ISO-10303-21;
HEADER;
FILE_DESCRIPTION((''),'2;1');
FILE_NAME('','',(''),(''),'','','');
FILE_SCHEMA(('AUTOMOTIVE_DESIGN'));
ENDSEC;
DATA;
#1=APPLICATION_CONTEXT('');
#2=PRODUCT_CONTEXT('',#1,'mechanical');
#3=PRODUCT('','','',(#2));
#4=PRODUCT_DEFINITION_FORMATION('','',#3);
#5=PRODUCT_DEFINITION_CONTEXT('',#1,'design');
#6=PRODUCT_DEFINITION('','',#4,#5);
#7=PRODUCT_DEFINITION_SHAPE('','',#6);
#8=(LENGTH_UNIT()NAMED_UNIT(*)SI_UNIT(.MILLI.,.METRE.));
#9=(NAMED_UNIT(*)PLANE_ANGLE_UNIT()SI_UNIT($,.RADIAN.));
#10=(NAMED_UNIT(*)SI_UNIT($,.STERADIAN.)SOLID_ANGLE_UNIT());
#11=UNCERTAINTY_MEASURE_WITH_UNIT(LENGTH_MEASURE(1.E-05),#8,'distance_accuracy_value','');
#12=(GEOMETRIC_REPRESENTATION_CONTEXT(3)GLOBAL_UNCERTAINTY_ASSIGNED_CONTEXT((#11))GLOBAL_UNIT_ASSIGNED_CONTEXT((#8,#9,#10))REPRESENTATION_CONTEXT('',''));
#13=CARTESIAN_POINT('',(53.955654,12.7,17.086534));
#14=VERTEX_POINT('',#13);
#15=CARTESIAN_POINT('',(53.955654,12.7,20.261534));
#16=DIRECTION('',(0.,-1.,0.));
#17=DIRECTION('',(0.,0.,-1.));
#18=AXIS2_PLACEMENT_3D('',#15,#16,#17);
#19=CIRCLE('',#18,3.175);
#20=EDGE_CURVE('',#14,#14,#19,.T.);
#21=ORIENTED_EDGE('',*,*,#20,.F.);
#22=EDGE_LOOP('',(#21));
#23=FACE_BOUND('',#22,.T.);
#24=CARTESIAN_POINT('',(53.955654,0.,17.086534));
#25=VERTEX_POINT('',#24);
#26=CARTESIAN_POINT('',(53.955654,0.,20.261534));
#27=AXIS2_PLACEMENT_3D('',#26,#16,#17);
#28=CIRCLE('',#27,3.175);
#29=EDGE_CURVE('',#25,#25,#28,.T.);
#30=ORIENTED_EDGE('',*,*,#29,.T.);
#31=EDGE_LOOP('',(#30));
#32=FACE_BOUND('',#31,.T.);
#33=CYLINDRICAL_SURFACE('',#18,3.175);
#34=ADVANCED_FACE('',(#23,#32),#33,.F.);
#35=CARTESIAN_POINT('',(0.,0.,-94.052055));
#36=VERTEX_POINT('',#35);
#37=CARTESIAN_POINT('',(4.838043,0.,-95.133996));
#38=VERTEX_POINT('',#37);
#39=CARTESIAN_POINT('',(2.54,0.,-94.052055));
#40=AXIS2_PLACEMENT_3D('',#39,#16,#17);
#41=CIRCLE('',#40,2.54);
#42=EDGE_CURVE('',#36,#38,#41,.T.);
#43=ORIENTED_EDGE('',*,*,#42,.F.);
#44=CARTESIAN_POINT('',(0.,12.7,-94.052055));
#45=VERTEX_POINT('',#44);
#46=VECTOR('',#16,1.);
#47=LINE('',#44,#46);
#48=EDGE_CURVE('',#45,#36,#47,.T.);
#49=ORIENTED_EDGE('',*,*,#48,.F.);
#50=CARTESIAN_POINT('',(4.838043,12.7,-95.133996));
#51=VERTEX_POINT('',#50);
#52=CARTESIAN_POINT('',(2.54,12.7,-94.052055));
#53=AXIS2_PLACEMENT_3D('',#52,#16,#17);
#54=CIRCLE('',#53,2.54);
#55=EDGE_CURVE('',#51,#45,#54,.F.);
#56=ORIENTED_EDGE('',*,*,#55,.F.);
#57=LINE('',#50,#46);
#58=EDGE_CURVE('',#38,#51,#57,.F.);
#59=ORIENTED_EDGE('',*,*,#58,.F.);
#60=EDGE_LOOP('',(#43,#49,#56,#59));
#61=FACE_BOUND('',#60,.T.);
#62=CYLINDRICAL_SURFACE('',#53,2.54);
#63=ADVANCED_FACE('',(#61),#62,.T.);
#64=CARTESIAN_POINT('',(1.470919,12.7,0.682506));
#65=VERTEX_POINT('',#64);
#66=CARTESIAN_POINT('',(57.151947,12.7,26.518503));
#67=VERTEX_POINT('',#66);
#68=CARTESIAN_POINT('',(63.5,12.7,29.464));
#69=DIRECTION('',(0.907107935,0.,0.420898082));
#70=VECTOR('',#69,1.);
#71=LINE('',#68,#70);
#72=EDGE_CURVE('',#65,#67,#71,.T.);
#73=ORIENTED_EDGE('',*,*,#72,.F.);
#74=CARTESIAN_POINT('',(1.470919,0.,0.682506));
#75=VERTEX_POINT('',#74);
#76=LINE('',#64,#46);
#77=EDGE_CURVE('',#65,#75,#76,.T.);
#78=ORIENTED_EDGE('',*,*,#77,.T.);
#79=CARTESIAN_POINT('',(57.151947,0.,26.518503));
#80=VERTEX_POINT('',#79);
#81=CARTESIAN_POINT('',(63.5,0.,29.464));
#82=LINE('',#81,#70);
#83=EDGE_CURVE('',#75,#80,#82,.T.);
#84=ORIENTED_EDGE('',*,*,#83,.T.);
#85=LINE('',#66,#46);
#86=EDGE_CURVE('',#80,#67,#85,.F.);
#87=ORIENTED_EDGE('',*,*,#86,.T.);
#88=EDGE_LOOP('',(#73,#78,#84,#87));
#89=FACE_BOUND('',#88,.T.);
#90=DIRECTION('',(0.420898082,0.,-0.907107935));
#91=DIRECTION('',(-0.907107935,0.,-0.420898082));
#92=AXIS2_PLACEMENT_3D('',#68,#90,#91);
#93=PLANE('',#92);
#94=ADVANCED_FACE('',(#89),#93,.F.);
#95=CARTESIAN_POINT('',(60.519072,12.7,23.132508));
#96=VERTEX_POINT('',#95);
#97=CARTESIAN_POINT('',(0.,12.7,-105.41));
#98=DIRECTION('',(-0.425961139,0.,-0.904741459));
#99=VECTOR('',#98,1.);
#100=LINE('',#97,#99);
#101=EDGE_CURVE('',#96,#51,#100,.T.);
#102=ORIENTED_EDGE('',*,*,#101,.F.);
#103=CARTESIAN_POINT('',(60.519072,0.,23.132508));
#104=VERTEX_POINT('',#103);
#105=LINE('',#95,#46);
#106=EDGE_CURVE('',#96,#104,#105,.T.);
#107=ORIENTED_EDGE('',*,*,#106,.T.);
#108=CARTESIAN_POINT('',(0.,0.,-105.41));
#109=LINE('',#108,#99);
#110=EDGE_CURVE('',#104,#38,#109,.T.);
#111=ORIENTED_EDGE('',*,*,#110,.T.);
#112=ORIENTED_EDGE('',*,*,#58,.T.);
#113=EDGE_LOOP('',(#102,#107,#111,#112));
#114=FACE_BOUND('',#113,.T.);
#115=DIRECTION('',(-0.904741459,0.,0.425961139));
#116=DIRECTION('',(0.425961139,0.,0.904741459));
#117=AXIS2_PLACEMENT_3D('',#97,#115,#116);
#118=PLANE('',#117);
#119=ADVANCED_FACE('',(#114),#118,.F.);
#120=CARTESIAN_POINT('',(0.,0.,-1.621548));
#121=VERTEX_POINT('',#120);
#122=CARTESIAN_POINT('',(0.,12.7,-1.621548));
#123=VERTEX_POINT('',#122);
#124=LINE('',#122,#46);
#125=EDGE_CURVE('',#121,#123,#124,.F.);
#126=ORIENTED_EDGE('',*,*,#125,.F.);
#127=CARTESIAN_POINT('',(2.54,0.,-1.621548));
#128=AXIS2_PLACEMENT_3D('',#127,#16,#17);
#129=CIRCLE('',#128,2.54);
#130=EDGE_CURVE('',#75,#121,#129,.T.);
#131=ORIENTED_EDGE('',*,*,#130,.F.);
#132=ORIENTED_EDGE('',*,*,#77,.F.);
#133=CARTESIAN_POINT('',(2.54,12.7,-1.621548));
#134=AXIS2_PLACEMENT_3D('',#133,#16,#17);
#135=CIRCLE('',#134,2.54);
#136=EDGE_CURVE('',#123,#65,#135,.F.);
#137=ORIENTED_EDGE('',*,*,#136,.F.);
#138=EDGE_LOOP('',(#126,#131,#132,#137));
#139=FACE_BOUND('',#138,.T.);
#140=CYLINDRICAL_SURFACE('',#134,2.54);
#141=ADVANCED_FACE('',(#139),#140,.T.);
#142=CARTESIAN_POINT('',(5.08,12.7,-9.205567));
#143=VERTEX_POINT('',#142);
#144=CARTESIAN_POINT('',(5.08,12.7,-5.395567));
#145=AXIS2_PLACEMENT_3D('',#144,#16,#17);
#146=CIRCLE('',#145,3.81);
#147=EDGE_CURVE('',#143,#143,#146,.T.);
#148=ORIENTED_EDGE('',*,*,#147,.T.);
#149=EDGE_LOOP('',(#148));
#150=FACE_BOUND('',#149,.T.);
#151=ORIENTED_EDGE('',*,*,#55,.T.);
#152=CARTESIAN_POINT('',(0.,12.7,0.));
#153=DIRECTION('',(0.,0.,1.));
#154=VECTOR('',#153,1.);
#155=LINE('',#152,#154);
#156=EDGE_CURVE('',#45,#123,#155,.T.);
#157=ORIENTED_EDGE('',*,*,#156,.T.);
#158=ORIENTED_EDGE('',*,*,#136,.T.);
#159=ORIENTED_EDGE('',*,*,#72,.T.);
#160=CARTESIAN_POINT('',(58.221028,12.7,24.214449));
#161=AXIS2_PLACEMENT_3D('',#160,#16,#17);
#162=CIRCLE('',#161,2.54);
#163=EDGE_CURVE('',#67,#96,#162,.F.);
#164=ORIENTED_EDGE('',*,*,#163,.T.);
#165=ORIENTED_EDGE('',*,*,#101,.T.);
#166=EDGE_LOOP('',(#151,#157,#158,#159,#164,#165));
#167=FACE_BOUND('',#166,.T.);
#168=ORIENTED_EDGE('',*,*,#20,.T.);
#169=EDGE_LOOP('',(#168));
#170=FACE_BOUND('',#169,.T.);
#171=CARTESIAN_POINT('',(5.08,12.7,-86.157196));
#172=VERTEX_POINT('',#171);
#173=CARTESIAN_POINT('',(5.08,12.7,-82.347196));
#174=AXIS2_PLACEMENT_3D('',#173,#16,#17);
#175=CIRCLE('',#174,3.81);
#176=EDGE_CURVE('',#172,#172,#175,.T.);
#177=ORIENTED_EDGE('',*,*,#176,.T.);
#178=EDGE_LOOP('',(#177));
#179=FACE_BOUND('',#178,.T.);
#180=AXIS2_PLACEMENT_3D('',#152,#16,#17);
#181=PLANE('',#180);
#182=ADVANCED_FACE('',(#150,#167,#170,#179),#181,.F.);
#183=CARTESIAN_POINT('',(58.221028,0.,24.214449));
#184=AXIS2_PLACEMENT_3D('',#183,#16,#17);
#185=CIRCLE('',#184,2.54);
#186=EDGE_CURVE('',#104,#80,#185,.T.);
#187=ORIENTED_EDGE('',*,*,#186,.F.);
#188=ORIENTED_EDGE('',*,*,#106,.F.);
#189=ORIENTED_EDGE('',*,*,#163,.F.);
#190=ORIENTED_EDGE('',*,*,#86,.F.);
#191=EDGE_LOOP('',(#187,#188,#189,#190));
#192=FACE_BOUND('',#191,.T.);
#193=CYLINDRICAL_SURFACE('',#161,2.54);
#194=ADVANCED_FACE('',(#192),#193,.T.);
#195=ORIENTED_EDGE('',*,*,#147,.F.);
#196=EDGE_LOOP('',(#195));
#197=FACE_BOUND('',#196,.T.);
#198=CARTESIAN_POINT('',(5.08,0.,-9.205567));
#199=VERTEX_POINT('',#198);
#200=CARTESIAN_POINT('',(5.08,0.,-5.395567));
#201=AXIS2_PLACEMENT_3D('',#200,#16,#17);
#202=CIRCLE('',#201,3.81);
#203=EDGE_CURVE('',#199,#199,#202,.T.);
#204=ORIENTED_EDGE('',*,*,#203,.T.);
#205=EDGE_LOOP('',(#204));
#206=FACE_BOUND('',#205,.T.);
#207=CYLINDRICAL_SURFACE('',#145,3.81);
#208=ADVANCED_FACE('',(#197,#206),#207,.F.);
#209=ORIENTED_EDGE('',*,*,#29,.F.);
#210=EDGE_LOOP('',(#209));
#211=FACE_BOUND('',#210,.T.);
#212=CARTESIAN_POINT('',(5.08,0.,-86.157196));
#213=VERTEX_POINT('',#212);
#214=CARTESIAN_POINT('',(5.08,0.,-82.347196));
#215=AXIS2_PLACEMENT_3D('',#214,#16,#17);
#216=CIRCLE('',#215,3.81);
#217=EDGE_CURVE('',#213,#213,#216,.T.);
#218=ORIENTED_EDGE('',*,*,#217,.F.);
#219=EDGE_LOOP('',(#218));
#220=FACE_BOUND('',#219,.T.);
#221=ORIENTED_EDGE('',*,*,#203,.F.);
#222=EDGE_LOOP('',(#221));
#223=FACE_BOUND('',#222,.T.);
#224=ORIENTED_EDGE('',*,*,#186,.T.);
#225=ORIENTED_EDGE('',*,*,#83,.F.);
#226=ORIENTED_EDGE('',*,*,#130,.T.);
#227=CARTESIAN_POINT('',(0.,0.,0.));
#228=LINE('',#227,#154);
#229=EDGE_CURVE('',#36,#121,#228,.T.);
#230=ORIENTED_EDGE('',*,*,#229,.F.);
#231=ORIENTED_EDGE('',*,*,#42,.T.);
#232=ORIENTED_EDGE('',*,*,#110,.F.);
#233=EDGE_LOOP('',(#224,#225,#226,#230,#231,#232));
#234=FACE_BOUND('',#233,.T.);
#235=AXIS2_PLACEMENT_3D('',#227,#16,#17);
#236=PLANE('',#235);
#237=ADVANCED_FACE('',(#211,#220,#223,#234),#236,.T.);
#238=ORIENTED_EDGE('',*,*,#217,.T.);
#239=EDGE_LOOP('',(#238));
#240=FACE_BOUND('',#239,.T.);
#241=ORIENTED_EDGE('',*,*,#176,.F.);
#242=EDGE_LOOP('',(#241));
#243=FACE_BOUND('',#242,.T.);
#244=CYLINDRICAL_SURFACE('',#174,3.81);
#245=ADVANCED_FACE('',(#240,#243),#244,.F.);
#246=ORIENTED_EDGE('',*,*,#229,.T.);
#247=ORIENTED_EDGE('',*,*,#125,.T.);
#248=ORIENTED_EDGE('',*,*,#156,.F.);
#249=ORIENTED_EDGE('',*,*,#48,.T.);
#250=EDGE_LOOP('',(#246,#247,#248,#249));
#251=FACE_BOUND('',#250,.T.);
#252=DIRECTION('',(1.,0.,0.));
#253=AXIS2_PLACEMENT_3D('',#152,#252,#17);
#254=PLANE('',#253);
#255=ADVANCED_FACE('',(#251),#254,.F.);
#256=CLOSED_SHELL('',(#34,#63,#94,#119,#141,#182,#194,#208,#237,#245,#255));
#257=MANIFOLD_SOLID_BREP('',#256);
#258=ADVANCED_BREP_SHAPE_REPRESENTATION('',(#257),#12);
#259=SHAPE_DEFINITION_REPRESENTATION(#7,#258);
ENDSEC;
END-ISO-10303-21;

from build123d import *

# Parameters (mm, degrees)
BOSS_EXTRUDE1_DEPTH = 12.7
SKETCH2_R           = 3.81
SKETCH2_R_2         = 3.175
CUT_EXTRUDE1_DEPTH  = 124.712602834
FILLET1_R           = 2.54


with BuildPart() as part:
    # Sketch1 → Boss-Extrude1 (new body)
    with BuildSketch(Plane(origin=(0, 0, 0), x_dir=(1, 0, 0), z_dir=(0, 1, 0))):
        Polygon((0, 0), (0, 105.41), (63.5, -29.464), align=None)
    extrude(amount=BOSS_EXTRUDE1_DEPTH)

    # Sketch2 → Cut-Extrude1 (cut, through all)
    with BuildSketch(Plane.XZ):
        with Locations(Location((5.08, -82.347196418, 0), (0, 0, 270))):
            Circle(SKETCH2_R)
        with Locations(Location((5.08, -5.39556681, 0), (0, 0, 270))):
            Circle(SKETCH2_R)
        with Locations(Location((53.955653889, 20.261534242, 0), (0, 0, 270))):
            Circle(SKETCH2_R_2)
    extrude(amount=-CUT_EXTRUDE1_DEPTH, mode=Mode.SUBTRACT)

    # Fillet1
    fillet1_edges = [part.edges().sort_by_distance(p)[0] for p in [
        (0, 6.35, 0),
        (0, 6.35, -105.41),
        (63.5, 6.35, 29.464),
    ]]
    fillet(fillet1_edges, radius=FILLET1_R)


solid = part.part
